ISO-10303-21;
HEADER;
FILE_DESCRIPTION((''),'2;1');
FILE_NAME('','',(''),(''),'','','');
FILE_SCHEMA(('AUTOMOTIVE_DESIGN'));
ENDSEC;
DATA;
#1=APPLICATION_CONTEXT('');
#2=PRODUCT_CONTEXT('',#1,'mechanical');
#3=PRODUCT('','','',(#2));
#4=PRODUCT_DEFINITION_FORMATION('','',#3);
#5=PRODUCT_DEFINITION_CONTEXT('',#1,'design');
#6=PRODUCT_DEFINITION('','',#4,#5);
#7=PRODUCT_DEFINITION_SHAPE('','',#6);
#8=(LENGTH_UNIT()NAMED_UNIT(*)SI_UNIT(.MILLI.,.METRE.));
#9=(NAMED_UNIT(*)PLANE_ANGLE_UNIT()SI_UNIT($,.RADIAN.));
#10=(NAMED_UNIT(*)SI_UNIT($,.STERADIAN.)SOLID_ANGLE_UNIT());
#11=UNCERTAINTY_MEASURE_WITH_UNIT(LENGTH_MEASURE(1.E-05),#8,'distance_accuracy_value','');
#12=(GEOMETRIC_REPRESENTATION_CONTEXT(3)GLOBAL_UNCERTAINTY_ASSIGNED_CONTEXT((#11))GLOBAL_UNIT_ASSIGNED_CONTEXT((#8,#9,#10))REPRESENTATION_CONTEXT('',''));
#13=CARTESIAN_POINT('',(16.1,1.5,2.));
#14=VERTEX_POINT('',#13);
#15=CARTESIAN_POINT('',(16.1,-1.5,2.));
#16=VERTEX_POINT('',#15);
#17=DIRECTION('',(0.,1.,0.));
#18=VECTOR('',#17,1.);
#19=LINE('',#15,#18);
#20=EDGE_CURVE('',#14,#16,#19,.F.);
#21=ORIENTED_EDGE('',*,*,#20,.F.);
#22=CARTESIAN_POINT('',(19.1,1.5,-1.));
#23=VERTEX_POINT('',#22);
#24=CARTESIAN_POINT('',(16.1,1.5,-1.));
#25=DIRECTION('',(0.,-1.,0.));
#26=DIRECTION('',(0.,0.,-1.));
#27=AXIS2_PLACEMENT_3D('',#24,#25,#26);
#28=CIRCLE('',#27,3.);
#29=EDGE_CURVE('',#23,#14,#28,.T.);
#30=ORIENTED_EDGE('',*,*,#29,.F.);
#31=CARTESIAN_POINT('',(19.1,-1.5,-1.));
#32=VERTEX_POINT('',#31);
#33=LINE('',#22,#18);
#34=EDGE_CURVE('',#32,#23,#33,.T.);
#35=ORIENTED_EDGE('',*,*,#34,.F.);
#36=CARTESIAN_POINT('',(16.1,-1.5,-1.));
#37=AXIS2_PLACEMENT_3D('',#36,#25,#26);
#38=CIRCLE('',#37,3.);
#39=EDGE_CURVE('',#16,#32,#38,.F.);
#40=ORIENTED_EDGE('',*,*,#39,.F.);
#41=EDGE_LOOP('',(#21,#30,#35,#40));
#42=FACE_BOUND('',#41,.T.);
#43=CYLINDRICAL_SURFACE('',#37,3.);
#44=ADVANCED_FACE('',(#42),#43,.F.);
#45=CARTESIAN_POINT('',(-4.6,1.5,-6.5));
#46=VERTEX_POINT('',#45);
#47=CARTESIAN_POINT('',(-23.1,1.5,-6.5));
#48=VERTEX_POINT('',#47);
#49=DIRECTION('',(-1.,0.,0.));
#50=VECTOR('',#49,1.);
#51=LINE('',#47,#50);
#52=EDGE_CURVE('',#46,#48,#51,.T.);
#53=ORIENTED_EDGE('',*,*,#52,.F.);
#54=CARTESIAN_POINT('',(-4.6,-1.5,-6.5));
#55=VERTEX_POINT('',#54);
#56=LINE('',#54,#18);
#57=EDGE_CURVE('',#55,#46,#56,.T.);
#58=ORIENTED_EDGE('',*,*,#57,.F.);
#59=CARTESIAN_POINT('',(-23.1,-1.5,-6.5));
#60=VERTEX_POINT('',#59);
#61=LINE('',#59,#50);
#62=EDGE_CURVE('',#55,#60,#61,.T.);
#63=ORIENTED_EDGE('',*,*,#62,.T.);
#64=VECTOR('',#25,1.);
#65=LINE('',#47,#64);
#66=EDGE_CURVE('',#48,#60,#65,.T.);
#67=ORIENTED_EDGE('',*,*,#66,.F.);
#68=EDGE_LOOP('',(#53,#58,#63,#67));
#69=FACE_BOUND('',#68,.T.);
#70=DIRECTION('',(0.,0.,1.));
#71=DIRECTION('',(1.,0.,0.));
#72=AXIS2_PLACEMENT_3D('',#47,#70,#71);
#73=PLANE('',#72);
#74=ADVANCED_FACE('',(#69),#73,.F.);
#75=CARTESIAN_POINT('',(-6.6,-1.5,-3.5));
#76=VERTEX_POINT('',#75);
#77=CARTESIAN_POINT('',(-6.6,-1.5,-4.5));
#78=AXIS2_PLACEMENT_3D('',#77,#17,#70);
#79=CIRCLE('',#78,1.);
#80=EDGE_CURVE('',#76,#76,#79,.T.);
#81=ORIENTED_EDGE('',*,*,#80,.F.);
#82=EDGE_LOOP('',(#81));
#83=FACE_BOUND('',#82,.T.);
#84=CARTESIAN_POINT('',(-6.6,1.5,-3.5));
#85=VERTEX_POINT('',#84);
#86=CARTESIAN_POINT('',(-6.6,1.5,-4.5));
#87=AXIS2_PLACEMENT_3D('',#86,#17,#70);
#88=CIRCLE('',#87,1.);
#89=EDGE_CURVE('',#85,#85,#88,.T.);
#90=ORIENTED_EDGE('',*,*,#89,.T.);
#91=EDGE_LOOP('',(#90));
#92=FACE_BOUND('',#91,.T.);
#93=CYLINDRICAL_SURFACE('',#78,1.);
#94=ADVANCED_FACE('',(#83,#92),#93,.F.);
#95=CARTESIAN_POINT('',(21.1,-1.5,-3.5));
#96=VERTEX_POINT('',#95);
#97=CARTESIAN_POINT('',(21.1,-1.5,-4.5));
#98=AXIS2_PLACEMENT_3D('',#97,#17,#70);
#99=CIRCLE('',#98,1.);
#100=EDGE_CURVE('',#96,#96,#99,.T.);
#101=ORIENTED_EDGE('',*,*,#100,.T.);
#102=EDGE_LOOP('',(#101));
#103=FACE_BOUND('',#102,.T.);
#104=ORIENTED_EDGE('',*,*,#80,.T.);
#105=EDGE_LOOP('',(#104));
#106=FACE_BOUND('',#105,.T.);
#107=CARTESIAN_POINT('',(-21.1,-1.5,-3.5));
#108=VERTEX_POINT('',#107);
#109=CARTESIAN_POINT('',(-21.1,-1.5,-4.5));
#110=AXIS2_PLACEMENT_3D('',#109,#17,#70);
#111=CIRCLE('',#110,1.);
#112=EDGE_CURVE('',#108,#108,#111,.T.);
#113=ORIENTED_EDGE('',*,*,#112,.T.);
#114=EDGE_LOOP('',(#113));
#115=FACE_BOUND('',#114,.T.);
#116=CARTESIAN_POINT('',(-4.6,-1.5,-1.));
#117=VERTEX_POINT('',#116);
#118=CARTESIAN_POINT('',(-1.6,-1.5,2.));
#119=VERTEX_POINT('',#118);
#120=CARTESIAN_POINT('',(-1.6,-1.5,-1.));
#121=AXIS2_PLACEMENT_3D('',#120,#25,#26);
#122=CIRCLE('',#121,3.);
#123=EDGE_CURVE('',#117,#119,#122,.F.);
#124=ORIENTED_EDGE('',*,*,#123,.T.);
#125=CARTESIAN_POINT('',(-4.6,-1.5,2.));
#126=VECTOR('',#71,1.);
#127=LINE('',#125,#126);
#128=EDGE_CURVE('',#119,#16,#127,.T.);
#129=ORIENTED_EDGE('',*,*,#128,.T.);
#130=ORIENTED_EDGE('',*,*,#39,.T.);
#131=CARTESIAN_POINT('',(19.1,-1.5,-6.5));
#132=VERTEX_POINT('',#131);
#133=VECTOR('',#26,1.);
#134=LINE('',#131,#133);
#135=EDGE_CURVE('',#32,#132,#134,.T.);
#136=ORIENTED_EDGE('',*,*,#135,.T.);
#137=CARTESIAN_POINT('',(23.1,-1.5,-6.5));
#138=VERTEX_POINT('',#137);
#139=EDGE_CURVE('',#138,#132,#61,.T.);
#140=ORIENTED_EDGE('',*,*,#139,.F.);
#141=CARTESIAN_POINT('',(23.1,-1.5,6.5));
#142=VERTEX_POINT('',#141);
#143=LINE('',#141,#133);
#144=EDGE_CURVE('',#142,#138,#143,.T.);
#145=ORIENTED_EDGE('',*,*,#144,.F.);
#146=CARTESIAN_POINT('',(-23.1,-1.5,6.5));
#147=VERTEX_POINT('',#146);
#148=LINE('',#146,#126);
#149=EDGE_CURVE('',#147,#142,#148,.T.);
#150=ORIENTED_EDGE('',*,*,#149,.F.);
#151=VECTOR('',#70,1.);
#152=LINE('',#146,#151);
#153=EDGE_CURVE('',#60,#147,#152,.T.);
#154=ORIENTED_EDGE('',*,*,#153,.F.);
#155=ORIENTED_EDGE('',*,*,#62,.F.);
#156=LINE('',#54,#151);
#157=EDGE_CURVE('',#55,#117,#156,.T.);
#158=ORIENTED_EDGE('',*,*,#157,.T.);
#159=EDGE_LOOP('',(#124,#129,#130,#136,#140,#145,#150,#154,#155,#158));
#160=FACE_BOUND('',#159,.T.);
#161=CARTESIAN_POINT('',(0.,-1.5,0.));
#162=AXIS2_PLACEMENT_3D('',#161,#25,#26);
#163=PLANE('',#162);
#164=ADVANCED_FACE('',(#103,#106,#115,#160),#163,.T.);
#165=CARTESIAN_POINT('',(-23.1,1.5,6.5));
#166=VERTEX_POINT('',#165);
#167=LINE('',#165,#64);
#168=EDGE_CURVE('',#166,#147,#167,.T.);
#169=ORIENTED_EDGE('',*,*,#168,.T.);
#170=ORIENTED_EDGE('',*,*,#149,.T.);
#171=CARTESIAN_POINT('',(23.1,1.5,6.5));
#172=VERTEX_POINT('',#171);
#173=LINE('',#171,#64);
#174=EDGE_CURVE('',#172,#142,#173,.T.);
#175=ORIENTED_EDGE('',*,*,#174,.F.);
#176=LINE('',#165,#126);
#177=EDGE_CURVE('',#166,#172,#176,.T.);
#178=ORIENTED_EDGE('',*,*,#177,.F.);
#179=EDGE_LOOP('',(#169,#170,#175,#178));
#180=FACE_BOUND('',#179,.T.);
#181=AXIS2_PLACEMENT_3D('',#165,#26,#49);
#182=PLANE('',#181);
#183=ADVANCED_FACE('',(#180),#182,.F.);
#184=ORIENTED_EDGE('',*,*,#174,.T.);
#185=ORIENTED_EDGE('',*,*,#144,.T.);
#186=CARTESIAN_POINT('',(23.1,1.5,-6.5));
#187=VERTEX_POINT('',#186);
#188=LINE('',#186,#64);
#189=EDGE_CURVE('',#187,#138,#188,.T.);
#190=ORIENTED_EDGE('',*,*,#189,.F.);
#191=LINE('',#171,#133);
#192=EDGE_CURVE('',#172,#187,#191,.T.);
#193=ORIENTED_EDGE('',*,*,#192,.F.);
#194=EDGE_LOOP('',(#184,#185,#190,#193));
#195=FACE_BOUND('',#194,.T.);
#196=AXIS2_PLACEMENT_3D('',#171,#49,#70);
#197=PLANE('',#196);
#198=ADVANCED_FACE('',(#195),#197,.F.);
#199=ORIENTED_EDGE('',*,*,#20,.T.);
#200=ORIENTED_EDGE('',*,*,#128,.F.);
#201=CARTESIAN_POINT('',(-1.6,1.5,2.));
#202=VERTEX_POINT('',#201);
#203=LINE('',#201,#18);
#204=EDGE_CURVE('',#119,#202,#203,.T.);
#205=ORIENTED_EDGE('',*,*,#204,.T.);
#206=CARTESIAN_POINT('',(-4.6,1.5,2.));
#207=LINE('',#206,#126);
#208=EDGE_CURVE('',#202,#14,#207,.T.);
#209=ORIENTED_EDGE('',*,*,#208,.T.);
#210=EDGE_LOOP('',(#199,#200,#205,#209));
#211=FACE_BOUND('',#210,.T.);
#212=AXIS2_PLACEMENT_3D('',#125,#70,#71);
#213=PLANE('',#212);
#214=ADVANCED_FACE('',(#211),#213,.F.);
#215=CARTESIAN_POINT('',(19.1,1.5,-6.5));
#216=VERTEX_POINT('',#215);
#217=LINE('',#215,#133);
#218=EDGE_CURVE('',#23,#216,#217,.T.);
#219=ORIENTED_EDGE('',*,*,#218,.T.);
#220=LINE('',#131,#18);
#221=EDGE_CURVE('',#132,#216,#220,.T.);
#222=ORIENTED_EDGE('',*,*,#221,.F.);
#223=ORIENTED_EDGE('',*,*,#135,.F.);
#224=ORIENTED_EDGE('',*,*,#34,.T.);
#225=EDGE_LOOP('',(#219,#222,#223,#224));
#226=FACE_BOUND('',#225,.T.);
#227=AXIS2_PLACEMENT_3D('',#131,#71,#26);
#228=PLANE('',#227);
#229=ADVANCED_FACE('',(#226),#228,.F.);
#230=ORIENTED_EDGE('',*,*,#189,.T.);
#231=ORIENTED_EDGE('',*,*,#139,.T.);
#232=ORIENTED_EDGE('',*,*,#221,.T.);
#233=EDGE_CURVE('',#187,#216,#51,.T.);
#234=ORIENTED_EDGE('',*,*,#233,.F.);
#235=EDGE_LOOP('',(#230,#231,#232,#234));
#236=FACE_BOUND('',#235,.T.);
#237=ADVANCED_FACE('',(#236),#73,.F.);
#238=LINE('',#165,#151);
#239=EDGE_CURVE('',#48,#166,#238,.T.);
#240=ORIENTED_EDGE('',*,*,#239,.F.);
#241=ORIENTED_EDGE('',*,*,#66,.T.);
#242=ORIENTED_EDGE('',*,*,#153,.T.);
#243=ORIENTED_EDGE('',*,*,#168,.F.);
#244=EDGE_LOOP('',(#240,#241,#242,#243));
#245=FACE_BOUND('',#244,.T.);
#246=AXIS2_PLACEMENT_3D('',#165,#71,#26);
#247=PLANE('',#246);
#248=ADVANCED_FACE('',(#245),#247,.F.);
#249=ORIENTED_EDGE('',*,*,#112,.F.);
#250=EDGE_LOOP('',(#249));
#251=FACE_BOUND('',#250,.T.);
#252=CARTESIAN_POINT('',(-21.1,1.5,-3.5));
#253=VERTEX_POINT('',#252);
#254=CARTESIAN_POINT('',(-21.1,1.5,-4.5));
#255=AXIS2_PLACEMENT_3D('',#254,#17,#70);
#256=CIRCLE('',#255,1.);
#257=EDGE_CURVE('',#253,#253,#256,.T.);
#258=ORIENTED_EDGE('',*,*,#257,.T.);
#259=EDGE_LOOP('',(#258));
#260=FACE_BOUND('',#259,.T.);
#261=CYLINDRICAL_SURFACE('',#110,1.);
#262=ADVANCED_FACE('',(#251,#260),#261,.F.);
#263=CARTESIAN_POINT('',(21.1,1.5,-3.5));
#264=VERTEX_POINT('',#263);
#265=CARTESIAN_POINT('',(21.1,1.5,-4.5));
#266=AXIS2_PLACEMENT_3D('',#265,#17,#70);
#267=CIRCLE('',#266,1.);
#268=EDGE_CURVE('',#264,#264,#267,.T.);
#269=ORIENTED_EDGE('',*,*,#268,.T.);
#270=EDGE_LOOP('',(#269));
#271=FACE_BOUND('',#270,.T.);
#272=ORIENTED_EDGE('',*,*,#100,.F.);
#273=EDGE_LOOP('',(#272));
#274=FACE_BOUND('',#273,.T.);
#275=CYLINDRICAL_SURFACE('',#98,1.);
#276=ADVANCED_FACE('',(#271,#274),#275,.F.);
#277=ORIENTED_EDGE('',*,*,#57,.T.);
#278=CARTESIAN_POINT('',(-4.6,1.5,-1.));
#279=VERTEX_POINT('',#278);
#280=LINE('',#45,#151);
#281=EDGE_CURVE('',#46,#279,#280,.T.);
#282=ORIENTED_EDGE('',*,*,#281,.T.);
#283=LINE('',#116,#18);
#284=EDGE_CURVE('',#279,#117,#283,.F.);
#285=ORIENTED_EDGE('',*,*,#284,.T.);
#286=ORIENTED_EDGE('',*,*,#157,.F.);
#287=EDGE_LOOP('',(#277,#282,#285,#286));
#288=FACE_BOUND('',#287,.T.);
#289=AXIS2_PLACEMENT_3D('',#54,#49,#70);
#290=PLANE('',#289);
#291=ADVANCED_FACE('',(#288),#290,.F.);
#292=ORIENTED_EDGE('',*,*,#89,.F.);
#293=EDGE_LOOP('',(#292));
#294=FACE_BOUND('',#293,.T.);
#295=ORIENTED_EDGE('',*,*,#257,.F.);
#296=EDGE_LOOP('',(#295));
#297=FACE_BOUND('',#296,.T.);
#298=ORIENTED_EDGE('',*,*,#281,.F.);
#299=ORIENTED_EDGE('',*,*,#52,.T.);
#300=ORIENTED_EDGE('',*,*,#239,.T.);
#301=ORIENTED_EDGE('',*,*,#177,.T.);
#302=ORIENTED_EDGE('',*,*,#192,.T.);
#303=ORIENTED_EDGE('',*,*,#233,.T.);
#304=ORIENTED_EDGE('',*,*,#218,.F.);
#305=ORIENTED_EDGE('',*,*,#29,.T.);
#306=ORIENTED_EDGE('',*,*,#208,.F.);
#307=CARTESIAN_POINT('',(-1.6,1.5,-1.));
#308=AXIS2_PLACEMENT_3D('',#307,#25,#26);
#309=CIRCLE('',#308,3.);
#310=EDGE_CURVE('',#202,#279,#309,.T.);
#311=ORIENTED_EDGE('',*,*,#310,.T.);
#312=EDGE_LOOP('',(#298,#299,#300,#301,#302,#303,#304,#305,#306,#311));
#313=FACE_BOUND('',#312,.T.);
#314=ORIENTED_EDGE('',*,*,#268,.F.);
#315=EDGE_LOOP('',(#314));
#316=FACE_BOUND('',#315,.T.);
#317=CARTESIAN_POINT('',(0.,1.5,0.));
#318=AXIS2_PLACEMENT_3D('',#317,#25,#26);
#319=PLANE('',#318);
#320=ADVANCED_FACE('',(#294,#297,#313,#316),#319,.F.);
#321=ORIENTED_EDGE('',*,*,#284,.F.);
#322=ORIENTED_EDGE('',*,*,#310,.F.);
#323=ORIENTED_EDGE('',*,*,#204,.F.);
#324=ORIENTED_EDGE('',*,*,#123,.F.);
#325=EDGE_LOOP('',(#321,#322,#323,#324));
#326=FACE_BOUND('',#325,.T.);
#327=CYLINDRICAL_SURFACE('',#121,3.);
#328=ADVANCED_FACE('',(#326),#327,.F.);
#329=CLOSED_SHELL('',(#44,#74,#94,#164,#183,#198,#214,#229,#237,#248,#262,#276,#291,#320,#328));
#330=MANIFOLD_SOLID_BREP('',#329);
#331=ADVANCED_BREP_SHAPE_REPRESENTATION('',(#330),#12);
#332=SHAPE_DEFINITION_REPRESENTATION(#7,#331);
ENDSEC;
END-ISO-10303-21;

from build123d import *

# Parameters (mm, degrees)
SKETCH1_W           = 46.2
SKETCH1_H           = 13
BOSS_EXTRUDE1_DEPTH = 1.5
SKETCH3_R           = 1
CUT_EXTRUDE1_DEPTH  = 25.183878928
SKETCH4_W           = 23.7
SKETCH4_H           = 8.5
CUT_EXTRUDE2_DEPTH  = 25.183878928
FILLET1_R           = 3


with BuildPart() as part:
    # Sketch1 → Boss-Extrude1 (new, symmetric)
    with BuildSketch(Plane(origin=(0, 0, 0), x_dir=(1, 0, 0), z_dir=(0, 1, 0))):
        Rectangle(SKETCH1_W, SKETCH1_H)
    extrude(amount=BOSS_EXTRUDE1_DEPTH, both=True)

    # Sketch3 → Cut-Extrude1 (cut, through all)
    with BuildSketch(Plane(origin=(0, 1.5, 0), x_dir=(1, 0, 0), z_dir=(0, 1, 0))):
        with Locations(Location((-21.1, 4.5, 0), (0, 0, 270))):
            Circle(SKETCH3_R)
        with Locations(Location((-6.6, 4.5, 0), (0, 0, 270))):
            Circle(SKETCH3_R)
        with Locations(Location((21.1, 4.5, 0), (0, 0, 270))):
            Circle(SKETCH3_R)
    extrude(amount=-CUT_EXTRUDE1_DEPTH, mode=Mode.SUBTRACT)

    # Sketch4 → Cut-Extrude2 (cut, through all)
    with BuildSketch(Plane(origin=(0, 1.5, 0), x_dir=(1, 0, 0), z_dir=(0, 1, 0))):
        with Locations((7.25, 2.25)):
            Rectangle(SKETCH4_W, SKETCH4_H)
    extrude(amount=-CUT_EXTRUDE2_DEPTH, mode=Mode.SUBTRACT)

    # Fillet1
    fillet1_edges = [part.edges().sort_by_distance(p)[0] for p in [
        (-4.6, 0, 2),
        (19.1, 0, 2),
    ]]
    fillet(fillet1_edges, radius=FILLET1_R)


solid = part.part
